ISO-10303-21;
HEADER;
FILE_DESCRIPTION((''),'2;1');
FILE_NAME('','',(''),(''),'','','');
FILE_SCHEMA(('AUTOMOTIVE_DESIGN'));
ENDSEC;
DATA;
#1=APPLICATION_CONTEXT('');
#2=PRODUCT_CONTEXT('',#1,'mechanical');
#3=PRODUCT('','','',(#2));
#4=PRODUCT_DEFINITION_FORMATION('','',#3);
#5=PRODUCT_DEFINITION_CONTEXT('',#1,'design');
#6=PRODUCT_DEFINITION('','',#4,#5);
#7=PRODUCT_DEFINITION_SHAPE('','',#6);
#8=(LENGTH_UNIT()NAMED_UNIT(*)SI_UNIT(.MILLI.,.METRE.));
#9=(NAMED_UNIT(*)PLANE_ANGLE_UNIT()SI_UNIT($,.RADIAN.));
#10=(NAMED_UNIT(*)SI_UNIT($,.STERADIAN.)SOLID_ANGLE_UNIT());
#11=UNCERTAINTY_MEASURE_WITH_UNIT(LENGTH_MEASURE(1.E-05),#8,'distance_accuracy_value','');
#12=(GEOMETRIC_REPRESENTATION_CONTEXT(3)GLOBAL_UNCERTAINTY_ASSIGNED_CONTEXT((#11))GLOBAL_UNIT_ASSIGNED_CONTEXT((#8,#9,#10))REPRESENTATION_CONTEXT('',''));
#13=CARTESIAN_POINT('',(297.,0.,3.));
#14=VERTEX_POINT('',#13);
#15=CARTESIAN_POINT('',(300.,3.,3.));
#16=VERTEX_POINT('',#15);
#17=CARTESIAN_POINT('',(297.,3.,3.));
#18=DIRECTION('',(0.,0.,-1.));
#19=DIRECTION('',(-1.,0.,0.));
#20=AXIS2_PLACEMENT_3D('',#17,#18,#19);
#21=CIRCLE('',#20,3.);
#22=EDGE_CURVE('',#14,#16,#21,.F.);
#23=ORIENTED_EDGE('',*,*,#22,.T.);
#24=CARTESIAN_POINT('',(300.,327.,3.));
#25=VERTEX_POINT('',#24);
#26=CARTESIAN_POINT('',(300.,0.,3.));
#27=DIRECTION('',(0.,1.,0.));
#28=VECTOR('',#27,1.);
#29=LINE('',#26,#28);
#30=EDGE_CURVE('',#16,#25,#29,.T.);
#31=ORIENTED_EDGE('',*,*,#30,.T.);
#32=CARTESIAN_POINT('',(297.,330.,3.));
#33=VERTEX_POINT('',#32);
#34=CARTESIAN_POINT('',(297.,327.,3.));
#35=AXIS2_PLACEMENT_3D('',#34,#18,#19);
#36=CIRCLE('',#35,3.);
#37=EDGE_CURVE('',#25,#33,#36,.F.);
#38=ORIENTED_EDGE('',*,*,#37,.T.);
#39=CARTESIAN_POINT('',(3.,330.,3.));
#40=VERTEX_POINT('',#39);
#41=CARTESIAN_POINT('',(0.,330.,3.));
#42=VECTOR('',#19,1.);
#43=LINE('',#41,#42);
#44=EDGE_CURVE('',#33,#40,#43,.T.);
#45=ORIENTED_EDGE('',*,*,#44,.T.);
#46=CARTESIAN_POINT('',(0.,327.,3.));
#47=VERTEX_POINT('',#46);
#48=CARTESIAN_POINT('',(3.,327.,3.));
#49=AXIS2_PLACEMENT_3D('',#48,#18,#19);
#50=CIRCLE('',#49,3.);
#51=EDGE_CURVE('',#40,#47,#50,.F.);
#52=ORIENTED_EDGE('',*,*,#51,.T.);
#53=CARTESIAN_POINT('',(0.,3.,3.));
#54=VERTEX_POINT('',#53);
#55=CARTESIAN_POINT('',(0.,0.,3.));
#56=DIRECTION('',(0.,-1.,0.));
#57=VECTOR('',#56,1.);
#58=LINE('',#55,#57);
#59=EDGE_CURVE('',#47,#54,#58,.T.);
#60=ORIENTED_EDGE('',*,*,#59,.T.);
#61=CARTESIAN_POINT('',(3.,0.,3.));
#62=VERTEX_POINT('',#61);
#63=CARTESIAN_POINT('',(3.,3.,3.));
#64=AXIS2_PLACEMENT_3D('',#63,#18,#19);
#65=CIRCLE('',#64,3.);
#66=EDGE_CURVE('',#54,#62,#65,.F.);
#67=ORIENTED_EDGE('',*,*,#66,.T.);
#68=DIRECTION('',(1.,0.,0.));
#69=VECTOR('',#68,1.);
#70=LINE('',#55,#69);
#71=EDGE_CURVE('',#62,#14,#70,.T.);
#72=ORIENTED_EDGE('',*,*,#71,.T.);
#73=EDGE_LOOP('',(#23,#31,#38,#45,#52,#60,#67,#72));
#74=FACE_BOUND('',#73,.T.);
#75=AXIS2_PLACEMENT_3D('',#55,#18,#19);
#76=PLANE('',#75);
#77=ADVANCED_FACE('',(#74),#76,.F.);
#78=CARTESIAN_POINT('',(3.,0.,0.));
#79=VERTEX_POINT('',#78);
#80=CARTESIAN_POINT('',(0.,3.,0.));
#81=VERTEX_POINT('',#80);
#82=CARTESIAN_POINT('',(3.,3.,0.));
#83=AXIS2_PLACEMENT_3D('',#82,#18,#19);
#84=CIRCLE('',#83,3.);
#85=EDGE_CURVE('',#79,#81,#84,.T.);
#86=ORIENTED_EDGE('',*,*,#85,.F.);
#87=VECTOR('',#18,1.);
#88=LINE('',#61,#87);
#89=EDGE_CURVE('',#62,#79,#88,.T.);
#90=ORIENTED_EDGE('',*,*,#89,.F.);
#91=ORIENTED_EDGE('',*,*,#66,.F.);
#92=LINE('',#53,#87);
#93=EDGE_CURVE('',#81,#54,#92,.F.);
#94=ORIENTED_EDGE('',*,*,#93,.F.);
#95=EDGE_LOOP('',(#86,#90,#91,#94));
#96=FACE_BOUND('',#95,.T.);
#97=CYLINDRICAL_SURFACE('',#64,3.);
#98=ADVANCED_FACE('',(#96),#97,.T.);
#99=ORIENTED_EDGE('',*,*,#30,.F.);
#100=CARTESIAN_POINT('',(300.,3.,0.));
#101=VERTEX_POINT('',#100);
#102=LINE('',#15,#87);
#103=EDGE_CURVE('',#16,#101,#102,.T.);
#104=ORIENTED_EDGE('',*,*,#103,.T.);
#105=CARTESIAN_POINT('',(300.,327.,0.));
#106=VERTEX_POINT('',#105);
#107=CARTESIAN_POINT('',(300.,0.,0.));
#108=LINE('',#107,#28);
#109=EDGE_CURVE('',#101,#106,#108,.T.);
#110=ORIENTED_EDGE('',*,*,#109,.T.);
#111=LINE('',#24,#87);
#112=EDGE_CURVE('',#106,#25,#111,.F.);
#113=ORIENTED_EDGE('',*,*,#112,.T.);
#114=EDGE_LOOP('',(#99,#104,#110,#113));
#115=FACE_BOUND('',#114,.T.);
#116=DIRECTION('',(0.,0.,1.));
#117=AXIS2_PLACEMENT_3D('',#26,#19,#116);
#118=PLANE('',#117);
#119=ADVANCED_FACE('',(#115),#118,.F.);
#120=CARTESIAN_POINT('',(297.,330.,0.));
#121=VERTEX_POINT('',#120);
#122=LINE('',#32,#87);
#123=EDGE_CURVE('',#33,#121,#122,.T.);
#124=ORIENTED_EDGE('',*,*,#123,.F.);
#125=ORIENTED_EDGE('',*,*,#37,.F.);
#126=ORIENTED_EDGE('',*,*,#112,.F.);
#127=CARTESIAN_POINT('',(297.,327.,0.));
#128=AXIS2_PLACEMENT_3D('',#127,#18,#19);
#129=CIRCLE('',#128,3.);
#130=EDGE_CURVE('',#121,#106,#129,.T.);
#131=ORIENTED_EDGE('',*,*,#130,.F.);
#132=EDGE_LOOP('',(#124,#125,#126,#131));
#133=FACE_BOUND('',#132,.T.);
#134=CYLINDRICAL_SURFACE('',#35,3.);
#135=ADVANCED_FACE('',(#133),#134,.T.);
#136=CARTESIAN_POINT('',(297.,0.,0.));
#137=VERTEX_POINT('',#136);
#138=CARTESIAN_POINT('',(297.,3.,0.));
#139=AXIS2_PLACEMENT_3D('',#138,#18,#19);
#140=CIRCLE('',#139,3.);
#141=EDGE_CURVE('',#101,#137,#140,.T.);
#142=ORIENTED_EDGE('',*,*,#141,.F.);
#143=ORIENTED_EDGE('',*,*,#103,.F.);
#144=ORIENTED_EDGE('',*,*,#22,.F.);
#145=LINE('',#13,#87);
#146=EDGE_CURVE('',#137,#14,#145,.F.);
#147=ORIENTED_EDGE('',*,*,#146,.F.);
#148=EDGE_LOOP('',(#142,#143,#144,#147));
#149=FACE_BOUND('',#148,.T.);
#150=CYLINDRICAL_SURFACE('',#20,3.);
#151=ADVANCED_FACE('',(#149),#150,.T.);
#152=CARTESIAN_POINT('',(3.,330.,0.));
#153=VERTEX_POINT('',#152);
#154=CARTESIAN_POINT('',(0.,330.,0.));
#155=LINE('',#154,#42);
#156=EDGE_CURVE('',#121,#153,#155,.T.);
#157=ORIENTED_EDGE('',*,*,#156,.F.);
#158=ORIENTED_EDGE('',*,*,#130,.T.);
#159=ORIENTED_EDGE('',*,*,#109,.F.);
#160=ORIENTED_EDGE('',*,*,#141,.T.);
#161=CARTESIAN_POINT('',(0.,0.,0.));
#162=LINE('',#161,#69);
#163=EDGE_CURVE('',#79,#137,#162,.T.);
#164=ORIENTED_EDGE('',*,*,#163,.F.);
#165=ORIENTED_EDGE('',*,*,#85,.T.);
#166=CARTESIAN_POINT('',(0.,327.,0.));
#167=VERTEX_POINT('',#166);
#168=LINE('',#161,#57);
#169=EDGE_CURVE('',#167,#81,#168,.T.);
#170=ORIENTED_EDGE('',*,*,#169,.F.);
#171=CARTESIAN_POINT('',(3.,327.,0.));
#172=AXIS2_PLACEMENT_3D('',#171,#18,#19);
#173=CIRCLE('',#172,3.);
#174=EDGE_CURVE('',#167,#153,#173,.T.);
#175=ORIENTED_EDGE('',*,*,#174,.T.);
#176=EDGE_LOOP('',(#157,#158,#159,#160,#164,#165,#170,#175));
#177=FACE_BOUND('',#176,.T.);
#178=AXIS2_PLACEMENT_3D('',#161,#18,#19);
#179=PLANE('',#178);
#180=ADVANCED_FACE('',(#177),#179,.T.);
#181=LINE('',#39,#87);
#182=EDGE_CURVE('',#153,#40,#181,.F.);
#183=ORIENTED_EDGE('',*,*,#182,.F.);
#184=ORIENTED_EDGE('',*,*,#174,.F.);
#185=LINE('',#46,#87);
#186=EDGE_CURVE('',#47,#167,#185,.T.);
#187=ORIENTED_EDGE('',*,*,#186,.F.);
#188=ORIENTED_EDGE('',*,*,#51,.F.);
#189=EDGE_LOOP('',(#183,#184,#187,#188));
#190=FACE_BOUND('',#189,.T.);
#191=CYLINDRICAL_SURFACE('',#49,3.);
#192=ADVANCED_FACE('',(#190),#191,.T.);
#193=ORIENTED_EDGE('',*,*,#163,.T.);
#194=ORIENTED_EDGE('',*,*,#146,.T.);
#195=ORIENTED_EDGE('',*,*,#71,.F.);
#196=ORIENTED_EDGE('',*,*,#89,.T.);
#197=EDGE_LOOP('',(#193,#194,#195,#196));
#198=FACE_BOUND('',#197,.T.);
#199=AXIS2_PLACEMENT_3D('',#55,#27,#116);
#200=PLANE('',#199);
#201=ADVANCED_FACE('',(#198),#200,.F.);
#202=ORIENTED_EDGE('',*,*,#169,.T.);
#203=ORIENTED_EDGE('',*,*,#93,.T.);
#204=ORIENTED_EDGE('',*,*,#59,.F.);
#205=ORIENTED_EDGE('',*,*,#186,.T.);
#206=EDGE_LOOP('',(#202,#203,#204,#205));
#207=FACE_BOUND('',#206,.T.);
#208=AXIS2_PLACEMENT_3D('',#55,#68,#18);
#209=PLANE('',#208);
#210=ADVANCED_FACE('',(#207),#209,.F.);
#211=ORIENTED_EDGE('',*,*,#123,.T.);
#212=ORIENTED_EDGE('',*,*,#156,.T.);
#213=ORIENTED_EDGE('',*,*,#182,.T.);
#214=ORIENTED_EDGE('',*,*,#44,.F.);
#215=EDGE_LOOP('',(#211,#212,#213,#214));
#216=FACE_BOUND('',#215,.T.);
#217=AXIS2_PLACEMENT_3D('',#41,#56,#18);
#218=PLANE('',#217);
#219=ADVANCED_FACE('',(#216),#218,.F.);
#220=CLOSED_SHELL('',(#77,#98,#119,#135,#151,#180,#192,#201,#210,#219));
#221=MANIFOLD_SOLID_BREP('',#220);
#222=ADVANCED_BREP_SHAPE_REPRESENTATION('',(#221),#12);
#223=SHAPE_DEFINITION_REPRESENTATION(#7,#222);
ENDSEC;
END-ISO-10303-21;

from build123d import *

# Parameters (mm, degrees)
SKETCH_1_W      = 300
SKETCH_1_H      = 330
EXTRUDE_1_DEPTH = 3
FILLET_1_R      = 3


with BuildPart() as part:
    # 草图1 → 凸台-拉伸1 (new body)
    with BuildSketch(Plane.XY):
        with Locations((150, 165)):
            Rectangle(SKETCH_1_W, SKETCH_1_H)
    extrude(amount=EXTRUDE_1_DEPTH)

    # 圆角1
    fillet_1_edges = [part.edges().sort_by_distance(p)[0] for p in [
        (0, 330, 1.5),
        (300, 330, 1.5),
        (300, 0, 1.5),
        (0, 0, 1.5),
    ]]
    fillet(fillet_1_edges, radius=FILLET_1_R)


solid = part.part
